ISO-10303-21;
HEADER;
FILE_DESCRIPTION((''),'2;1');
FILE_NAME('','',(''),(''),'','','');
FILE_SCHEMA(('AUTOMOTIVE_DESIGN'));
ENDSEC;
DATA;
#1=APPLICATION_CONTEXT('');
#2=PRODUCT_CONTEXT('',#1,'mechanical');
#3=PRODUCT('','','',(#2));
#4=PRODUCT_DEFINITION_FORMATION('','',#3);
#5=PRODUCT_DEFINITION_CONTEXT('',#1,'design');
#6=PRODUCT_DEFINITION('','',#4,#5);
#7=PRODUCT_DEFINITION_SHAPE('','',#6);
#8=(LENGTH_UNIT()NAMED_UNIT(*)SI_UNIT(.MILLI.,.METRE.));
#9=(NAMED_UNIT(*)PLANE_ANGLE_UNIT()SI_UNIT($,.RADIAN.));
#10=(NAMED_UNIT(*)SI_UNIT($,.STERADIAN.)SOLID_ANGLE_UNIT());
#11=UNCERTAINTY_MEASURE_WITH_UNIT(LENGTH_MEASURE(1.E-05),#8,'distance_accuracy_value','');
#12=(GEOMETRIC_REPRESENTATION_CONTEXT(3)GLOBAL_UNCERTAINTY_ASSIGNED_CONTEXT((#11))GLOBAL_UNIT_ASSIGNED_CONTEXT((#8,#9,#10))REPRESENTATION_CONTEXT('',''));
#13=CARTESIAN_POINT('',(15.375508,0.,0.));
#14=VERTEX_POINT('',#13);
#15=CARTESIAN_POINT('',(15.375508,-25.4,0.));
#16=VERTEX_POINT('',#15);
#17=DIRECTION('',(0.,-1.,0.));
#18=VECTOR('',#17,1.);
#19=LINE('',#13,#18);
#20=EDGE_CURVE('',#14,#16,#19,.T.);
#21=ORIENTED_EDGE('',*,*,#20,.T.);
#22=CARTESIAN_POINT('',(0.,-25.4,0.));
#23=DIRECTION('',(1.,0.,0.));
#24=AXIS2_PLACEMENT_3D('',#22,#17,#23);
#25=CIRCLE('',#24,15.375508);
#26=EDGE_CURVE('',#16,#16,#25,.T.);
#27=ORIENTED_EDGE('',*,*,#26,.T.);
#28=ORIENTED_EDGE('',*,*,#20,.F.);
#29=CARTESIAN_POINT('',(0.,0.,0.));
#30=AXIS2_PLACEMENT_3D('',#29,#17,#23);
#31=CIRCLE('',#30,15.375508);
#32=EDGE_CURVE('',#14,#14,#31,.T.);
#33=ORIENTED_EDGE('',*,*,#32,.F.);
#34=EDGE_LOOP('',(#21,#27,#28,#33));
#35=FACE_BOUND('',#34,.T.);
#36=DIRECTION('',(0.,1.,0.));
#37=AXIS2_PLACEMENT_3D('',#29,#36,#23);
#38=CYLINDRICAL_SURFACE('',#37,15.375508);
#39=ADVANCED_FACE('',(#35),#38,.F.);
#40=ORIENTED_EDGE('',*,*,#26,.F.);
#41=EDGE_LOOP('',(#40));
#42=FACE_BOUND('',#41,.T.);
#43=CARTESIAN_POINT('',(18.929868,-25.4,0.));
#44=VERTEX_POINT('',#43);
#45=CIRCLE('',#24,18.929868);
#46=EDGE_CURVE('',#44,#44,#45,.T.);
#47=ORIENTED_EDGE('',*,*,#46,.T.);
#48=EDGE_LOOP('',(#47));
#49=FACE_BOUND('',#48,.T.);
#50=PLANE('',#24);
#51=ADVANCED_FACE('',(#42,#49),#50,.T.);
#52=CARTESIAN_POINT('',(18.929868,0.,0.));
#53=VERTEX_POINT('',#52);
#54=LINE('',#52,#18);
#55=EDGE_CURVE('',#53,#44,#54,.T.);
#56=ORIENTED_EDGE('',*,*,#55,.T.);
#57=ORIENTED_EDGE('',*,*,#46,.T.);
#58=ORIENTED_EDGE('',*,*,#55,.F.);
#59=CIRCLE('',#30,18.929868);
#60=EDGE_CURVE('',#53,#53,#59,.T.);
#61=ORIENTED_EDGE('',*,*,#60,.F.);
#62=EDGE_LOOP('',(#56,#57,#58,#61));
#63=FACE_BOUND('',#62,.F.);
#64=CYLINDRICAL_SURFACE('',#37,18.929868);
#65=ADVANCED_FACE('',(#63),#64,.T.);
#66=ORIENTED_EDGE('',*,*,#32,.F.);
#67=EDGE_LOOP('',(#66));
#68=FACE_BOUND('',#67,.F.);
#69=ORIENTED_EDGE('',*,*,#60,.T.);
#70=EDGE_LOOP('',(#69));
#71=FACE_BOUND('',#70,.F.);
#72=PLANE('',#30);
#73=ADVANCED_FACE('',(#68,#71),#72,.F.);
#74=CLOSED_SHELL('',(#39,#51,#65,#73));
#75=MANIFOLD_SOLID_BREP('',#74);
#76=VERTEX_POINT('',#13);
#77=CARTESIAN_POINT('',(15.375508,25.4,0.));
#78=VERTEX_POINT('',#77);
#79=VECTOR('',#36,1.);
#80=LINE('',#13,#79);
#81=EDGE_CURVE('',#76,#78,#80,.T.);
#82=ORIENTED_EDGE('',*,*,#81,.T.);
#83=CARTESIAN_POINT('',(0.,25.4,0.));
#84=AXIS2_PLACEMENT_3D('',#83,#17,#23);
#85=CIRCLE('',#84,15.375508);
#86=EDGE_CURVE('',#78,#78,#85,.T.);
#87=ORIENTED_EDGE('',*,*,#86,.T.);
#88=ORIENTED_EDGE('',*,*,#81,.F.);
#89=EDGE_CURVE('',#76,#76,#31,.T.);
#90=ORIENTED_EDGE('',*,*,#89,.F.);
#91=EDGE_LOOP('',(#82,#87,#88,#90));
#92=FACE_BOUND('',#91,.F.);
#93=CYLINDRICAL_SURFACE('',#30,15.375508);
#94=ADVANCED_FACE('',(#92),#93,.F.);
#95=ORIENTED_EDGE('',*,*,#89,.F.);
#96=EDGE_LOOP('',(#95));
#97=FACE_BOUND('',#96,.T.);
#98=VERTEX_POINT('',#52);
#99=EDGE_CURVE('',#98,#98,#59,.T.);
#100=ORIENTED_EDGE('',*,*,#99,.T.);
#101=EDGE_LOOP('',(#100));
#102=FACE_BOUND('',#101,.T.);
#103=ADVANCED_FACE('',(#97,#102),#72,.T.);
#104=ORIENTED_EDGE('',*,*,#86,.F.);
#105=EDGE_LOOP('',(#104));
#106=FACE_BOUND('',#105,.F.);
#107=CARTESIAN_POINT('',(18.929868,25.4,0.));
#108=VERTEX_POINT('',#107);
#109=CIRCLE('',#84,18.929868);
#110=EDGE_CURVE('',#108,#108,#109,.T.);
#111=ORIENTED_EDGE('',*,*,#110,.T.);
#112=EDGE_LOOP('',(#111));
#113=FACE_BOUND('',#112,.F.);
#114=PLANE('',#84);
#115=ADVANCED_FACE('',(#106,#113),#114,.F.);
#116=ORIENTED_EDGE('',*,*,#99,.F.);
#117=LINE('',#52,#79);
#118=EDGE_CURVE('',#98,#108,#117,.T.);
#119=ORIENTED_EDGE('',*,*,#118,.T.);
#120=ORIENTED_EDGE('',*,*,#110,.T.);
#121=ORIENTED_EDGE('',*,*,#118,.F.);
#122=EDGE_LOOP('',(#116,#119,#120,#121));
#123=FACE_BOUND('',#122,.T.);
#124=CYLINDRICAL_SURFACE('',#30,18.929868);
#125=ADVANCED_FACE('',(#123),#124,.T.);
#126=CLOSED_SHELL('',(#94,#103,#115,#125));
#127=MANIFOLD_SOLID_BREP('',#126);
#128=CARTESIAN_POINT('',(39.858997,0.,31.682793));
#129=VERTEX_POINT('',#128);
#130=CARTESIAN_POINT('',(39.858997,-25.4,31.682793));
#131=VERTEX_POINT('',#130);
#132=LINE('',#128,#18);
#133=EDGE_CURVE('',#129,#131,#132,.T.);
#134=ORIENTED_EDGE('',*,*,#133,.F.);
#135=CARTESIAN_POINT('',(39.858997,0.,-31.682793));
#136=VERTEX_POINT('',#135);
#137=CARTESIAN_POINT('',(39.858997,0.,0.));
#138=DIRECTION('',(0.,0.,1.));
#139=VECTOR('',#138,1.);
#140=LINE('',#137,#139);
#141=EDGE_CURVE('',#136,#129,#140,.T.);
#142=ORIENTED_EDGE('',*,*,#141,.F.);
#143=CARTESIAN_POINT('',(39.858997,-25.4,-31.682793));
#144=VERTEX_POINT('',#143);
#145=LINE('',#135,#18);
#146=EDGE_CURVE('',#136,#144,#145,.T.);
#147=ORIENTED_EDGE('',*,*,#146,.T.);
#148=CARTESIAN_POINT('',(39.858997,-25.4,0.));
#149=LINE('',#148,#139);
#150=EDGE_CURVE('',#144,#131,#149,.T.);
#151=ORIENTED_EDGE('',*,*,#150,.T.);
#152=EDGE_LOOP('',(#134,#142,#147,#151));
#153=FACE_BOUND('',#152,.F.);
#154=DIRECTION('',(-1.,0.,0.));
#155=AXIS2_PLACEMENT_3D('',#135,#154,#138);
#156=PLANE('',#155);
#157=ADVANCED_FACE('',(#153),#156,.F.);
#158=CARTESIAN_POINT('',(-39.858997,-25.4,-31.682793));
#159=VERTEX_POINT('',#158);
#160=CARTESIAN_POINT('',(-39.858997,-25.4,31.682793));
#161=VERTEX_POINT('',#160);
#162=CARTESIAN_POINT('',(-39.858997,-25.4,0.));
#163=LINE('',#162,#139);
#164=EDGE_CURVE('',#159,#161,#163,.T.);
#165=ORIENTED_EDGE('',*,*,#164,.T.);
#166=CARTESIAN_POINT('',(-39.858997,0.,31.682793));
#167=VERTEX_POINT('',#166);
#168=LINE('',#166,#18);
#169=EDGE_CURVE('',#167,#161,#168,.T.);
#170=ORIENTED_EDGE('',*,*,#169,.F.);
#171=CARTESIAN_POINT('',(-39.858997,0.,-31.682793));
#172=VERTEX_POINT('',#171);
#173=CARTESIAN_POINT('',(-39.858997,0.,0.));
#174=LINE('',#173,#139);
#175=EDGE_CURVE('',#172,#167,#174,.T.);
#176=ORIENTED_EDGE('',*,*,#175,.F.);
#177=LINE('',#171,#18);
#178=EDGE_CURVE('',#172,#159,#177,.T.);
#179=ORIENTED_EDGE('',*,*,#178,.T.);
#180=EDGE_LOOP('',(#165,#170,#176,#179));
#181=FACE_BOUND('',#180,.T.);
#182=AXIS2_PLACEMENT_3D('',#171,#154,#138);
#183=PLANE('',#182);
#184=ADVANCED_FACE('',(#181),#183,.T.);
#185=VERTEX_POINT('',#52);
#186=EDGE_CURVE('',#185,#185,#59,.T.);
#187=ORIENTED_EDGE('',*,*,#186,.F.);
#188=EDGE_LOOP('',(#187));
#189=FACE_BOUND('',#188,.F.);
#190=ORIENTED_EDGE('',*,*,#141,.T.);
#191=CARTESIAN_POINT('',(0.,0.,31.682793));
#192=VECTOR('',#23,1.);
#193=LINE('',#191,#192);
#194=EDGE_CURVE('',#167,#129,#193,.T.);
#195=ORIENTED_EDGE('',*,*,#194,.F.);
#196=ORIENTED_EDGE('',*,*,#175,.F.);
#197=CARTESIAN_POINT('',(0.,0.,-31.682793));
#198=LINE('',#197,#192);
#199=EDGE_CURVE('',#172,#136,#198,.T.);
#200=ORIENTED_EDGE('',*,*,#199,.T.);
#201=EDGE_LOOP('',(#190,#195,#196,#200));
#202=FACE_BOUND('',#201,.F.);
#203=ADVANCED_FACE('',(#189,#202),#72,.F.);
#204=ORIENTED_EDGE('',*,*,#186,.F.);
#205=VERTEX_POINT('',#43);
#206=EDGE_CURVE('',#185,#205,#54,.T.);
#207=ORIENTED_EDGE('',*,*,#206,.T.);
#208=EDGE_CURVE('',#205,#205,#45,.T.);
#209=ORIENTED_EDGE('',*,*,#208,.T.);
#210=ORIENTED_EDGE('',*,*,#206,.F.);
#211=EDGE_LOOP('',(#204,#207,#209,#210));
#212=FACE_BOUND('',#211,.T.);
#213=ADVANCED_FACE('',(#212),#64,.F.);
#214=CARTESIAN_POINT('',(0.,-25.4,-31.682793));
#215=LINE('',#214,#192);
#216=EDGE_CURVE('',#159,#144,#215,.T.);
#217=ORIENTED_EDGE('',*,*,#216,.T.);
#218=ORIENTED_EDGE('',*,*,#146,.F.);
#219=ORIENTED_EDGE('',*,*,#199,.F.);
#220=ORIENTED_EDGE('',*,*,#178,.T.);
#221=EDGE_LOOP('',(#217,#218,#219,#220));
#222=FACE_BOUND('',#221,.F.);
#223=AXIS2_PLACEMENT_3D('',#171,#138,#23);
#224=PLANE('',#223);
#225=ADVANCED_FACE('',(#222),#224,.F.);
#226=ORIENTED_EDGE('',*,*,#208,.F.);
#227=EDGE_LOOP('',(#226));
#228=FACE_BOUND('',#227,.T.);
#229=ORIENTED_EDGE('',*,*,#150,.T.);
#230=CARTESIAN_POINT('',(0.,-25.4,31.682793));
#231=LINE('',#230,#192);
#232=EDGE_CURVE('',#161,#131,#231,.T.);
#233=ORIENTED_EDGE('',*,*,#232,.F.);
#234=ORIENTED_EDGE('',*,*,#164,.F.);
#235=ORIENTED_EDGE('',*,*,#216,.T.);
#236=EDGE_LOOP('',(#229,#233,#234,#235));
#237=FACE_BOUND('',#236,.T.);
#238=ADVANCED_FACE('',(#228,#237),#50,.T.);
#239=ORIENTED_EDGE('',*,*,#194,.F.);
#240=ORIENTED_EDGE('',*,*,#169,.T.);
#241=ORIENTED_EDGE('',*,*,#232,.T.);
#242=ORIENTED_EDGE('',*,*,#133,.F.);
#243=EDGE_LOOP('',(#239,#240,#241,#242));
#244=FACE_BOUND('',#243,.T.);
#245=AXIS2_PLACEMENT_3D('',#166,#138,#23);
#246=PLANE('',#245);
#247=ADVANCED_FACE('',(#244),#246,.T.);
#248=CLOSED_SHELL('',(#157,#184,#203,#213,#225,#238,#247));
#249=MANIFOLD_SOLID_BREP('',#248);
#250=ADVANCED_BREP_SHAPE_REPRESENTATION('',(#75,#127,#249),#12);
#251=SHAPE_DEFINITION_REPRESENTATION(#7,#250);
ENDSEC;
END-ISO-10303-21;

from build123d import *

# Parameters (mm, degrees)
F0_W        = 79.717994
F0_H        = 63.365586
F0_R        = 18.929868
F1_DEPTH    = 25.4
F0_R_2      = 15.375508
F2_DEPTH    = 25.4
F2_FACE_R   = 18.929868
F2_FACE_R_2 = 15.375508
F3_DEPTH    = 25.4


with BuildPart() as f1:
    # F0 (on Front) → F1 (new body)
    with BuildSketch(Plane.XZ):
        Rectangle(F0_W, F0_H)
        Circle(F0_R, mode=Mode.SUBTRACT)
    extrude(amount=F1_DEPTH)

    # F0 (on Front) → F2 (join)
    with BuildSketch(Plane.XZ):
        Circle(F0_R)
        Circle(F0_R_2, mode=Mode.SUBTRACT)
    extrude(amount=-F2_DEPTH)


with BuildPart() as f3:
    # F2_face (on face) → F3 (new body)
    with BuildSketch(Plane.XZ):
        Circle(F2_FACE_R)
        Circle(F2_FACE_R_2, mode=Mode.SUBTRACT)
    extrude(amount=F3_DEPTH)


solid = Compound([f1.part, f3.part])
